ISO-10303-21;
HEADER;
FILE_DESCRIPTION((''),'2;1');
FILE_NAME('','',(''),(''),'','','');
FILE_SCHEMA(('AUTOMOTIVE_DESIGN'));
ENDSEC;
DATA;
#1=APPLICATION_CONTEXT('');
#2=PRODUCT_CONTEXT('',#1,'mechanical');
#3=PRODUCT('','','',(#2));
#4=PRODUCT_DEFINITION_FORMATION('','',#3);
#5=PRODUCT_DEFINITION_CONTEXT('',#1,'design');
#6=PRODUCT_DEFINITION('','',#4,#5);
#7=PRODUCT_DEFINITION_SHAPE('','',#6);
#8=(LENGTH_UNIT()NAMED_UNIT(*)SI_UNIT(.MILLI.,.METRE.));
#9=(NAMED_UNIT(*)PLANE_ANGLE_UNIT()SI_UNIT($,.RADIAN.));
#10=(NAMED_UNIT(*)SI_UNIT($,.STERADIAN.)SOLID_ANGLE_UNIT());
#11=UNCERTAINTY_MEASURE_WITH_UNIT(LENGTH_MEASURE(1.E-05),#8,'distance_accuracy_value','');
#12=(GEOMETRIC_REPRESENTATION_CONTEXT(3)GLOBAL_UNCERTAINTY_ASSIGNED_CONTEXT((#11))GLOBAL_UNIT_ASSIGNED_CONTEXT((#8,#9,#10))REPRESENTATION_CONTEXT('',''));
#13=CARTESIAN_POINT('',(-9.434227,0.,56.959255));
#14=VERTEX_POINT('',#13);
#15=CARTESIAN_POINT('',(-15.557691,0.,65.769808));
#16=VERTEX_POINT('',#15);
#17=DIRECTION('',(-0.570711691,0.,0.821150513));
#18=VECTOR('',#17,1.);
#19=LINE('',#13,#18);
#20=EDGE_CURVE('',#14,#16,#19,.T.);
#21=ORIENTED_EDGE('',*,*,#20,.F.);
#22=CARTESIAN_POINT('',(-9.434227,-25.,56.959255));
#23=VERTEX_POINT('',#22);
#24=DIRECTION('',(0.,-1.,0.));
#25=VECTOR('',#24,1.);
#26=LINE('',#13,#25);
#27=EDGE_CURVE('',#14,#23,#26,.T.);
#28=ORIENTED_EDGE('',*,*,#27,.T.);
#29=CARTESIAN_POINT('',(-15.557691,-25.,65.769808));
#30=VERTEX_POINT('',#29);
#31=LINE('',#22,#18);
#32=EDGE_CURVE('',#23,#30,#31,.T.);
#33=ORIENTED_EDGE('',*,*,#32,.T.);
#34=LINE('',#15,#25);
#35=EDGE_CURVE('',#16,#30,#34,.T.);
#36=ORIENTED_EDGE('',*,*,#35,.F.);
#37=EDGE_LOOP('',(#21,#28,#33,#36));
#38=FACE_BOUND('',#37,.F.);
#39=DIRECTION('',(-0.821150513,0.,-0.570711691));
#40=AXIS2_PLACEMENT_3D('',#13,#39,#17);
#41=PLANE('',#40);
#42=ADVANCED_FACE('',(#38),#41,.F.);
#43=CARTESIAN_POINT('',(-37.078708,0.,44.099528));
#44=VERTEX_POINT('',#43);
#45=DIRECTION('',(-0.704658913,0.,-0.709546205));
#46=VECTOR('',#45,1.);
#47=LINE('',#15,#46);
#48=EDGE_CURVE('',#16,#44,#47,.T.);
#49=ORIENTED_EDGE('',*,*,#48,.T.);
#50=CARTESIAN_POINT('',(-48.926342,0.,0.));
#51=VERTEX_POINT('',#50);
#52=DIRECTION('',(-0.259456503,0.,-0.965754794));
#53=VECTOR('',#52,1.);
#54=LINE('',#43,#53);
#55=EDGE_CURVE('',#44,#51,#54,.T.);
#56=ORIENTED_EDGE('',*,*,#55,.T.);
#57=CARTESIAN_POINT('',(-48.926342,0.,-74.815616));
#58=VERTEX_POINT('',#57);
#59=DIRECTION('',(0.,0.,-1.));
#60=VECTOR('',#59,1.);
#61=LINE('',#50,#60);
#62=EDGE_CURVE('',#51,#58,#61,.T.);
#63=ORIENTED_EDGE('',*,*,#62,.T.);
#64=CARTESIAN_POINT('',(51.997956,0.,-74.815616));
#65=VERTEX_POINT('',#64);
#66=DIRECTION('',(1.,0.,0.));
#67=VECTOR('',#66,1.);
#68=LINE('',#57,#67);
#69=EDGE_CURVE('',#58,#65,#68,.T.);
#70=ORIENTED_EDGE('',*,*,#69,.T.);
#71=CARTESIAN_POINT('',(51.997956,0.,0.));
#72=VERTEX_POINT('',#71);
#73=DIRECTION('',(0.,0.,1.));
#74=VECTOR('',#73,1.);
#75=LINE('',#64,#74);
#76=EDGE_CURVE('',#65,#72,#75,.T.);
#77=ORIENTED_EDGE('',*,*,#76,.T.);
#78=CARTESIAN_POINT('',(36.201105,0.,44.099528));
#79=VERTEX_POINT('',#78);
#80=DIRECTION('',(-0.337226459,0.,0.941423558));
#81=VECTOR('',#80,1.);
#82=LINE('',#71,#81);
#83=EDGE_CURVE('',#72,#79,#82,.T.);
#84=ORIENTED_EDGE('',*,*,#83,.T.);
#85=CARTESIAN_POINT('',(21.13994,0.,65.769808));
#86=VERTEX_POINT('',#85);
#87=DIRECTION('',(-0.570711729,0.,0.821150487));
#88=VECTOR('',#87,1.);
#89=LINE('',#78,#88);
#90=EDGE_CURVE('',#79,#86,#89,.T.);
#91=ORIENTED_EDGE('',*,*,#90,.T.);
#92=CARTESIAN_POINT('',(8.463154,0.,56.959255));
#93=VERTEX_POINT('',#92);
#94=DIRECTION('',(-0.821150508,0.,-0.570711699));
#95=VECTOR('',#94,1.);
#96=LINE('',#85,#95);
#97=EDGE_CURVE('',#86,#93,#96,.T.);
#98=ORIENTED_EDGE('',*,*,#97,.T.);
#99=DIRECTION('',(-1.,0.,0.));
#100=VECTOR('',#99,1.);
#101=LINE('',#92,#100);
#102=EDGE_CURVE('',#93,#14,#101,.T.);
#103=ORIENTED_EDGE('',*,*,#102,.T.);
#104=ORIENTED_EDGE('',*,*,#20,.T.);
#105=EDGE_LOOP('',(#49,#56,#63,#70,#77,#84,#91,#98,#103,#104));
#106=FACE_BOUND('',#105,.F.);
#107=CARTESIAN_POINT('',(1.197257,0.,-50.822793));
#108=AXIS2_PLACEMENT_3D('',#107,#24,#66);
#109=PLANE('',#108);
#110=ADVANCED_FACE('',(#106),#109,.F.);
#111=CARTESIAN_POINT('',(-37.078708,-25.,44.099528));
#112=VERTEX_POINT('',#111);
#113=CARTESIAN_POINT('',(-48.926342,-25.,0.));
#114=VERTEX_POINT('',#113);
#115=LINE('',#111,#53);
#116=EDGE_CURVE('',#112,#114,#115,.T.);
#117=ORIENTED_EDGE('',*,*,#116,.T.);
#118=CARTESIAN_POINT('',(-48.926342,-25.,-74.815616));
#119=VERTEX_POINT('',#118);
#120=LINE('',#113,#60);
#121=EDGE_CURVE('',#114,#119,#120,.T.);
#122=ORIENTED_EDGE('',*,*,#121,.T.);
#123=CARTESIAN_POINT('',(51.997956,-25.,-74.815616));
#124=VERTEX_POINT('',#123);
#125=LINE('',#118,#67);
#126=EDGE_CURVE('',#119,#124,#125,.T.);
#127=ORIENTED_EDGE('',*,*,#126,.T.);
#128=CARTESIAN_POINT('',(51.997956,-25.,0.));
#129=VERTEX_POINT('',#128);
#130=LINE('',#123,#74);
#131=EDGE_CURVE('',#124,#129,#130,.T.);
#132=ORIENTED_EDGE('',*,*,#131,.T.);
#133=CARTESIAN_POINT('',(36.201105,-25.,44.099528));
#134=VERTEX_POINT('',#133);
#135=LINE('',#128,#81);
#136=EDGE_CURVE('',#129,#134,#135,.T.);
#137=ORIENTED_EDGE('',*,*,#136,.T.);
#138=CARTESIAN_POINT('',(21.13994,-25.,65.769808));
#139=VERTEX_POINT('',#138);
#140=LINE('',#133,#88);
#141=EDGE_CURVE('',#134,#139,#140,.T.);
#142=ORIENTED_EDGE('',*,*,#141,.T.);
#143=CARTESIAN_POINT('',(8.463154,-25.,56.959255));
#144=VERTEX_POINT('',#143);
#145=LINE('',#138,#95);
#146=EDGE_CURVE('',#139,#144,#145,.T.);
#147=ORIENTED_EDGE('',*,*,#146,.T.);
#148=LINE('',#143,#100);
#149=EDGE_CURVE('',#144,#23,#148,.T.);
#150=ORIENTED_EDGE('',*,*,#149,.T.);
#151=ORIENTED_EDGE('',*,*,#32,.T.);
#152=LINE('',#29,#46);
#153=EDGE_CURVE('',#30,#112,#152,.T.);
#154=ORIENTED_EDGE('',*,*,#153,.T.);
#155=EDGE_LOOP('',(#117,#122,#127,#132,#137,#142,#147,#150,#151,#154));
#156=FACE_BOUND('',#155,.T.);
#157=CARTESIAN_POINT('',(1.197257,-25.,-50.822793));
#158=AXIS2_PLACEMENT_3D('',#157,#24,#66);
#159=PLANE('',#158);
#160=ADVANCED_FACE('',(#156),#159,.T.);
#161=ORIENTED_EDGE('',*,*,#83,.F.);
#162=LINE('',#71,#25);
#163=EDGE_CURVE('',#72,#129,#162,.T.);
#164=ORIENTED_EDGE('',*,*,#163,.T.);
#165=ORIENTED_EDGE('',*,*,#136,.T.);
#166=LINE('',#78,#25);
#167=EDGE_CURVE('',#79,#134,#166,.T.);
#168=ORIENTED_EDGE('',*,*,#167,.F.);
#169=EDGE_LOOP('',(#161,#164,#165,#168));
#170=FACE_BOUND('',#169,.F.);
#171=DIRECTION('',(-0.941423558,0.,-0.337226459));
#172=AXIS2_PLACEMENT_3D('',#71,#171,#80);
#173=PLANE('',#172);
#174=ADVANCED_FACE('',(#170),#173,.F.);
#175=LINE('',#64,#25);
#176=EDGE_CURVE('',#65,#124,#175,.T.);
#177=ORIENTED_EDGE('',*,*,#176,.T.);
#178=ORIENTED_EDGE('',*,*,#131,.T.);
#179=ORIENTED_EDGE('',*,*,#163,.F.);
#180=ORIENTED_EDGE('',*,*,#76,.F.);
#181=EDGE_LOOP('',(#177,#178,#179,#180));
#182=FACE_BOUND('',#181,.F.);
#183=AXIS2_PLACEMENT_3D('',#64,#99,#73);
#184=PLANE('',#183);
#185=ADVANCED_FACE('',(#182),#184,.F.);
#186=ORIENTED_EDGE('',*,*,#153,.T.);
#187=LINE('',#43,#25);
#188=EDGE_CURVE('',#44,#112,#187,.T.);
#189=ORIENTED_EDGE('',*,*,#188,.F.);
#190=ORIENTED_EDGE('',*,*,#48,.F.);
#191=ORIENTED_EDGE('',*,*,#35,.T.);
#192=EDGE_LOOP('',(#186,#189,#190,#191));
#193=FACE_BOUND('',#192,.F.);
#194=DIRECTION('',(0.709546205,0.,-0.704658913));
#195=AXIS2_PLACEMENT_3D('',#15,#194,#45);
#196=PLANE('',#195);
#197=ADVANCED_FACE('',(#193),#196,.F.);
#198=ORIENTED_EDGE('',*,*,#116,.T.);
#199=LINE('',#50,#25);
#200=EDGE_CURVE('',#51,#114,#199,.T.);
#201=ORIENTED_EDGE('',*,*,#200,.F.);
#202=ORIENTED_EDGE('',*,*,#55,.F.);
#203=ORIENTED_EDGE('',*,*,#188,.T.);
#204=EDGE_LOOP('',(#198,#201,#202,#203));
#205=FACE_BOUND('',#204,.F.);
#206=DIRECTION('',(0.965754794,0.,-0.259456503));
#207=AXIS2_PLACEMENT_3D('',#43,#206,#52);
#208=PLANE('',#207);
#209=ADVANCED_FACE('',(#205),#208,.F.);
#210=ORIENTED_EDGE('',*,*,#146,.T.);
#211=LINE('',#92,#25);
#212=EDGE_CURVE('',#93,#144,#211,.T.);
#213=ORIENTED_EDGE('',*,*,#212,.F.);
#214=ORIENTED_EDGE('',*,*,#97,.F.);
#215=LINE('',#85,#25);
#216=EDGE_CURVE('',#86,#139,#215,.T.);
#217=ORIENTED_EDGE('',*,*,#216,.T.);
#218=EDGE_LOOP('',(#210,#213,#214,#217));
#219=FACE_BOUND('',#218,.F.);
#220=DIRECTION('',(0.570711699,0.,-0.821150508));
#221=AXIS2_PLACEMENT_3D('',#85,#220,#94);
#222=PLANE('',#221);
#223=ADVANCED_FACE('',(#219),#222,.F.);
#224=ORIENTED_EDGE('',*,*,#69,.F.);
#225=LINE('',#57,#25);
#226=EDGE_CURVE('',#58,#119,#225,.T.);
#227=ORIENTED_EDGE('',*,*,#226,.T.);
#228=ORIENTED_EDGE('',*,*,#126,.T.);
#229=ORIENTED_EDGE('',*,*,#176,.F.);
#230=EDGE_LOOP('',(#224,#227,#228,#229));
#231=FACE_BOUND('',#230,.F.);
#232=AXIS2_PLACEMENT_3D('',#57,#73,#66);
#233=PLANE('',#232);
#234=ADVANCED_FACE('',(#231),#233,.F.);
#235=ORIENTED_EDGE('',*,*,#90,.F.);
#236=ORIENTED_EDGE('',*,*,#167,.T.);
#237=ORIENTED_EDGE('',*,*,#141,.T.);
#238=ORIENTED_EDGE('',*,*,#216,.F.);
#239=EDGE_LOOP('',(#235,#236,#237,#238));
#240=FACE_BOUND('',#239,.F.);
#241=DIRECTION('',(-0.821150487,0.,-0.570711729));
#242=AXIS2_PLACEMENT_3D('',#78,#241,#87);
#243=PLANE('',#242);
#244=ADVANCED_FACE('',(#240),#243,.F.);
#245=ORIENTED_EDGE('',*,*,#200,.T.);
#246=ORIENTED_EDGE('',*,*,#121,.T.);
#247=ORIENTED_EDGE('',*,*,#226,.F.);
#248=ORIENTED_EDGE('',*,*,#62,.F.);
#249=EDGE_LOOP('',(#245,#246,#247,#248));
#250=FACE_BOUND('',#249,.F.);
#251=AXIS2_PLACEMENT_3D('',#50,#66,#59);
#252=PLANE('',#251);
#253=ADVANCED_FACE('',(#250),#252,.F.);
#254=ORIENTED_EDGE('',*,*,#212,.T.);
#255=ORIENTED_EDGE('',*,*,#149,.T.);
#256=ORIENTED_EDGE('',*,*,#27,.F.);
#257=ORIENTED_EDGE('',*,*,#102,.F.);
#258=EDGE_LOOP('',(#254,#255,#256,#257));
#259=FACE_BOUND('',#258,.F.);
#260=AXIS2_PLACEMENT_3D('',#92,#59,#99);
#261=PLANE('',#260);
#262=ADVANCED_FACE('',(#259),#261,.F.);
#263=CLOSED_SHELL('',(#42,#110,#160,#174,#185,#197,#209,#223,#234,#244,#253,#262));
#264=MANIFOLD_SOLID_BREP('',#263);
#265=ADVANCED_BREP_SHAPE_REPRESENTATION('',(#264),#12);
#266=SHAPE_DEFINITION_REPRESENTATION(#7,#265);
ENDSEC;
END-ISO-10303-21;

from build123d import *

# Parameters (mm, degrees)
F1_DEPTH = 25


with BuildPart() as f1:
    # F0 (on Front) → F1 (new body)
    with BuildSketch(Plane.XZ):
        Polygon((0, 0), (-48.926342, -74.815616), (51.997956, -74.815616), align=None)
        Polygon((-48.926342, 0), (-48.926342, -74.815616), (0, 0), align=None)
        Polygon((-37.078708, 44.099528), (0, 0), (-15.557691, 65.769808), align=None)
        Polygon((-15.557691, 65.769808), (0, 0), (21.13994, 65.769808), (8.463154, 56.959255), (-9.434227, 56.959255), align=None)
        Polygon((21.13994, 65.769808), (0, 0), (36.201105, 44.099528), align=None)
        Polygon((36.201105, 44.099528), (0, 0), (51.997956, 0), align=None)
        Polygon((0, 0), (51.997956, -74.815616), (51.997956, 0), align=None)
        Polygon((-48.926342, 0), (0, 0), (-37.078708, 44.099528), align=None)
    extrude(amount=F1_DEPTH)


solid = f1.part
